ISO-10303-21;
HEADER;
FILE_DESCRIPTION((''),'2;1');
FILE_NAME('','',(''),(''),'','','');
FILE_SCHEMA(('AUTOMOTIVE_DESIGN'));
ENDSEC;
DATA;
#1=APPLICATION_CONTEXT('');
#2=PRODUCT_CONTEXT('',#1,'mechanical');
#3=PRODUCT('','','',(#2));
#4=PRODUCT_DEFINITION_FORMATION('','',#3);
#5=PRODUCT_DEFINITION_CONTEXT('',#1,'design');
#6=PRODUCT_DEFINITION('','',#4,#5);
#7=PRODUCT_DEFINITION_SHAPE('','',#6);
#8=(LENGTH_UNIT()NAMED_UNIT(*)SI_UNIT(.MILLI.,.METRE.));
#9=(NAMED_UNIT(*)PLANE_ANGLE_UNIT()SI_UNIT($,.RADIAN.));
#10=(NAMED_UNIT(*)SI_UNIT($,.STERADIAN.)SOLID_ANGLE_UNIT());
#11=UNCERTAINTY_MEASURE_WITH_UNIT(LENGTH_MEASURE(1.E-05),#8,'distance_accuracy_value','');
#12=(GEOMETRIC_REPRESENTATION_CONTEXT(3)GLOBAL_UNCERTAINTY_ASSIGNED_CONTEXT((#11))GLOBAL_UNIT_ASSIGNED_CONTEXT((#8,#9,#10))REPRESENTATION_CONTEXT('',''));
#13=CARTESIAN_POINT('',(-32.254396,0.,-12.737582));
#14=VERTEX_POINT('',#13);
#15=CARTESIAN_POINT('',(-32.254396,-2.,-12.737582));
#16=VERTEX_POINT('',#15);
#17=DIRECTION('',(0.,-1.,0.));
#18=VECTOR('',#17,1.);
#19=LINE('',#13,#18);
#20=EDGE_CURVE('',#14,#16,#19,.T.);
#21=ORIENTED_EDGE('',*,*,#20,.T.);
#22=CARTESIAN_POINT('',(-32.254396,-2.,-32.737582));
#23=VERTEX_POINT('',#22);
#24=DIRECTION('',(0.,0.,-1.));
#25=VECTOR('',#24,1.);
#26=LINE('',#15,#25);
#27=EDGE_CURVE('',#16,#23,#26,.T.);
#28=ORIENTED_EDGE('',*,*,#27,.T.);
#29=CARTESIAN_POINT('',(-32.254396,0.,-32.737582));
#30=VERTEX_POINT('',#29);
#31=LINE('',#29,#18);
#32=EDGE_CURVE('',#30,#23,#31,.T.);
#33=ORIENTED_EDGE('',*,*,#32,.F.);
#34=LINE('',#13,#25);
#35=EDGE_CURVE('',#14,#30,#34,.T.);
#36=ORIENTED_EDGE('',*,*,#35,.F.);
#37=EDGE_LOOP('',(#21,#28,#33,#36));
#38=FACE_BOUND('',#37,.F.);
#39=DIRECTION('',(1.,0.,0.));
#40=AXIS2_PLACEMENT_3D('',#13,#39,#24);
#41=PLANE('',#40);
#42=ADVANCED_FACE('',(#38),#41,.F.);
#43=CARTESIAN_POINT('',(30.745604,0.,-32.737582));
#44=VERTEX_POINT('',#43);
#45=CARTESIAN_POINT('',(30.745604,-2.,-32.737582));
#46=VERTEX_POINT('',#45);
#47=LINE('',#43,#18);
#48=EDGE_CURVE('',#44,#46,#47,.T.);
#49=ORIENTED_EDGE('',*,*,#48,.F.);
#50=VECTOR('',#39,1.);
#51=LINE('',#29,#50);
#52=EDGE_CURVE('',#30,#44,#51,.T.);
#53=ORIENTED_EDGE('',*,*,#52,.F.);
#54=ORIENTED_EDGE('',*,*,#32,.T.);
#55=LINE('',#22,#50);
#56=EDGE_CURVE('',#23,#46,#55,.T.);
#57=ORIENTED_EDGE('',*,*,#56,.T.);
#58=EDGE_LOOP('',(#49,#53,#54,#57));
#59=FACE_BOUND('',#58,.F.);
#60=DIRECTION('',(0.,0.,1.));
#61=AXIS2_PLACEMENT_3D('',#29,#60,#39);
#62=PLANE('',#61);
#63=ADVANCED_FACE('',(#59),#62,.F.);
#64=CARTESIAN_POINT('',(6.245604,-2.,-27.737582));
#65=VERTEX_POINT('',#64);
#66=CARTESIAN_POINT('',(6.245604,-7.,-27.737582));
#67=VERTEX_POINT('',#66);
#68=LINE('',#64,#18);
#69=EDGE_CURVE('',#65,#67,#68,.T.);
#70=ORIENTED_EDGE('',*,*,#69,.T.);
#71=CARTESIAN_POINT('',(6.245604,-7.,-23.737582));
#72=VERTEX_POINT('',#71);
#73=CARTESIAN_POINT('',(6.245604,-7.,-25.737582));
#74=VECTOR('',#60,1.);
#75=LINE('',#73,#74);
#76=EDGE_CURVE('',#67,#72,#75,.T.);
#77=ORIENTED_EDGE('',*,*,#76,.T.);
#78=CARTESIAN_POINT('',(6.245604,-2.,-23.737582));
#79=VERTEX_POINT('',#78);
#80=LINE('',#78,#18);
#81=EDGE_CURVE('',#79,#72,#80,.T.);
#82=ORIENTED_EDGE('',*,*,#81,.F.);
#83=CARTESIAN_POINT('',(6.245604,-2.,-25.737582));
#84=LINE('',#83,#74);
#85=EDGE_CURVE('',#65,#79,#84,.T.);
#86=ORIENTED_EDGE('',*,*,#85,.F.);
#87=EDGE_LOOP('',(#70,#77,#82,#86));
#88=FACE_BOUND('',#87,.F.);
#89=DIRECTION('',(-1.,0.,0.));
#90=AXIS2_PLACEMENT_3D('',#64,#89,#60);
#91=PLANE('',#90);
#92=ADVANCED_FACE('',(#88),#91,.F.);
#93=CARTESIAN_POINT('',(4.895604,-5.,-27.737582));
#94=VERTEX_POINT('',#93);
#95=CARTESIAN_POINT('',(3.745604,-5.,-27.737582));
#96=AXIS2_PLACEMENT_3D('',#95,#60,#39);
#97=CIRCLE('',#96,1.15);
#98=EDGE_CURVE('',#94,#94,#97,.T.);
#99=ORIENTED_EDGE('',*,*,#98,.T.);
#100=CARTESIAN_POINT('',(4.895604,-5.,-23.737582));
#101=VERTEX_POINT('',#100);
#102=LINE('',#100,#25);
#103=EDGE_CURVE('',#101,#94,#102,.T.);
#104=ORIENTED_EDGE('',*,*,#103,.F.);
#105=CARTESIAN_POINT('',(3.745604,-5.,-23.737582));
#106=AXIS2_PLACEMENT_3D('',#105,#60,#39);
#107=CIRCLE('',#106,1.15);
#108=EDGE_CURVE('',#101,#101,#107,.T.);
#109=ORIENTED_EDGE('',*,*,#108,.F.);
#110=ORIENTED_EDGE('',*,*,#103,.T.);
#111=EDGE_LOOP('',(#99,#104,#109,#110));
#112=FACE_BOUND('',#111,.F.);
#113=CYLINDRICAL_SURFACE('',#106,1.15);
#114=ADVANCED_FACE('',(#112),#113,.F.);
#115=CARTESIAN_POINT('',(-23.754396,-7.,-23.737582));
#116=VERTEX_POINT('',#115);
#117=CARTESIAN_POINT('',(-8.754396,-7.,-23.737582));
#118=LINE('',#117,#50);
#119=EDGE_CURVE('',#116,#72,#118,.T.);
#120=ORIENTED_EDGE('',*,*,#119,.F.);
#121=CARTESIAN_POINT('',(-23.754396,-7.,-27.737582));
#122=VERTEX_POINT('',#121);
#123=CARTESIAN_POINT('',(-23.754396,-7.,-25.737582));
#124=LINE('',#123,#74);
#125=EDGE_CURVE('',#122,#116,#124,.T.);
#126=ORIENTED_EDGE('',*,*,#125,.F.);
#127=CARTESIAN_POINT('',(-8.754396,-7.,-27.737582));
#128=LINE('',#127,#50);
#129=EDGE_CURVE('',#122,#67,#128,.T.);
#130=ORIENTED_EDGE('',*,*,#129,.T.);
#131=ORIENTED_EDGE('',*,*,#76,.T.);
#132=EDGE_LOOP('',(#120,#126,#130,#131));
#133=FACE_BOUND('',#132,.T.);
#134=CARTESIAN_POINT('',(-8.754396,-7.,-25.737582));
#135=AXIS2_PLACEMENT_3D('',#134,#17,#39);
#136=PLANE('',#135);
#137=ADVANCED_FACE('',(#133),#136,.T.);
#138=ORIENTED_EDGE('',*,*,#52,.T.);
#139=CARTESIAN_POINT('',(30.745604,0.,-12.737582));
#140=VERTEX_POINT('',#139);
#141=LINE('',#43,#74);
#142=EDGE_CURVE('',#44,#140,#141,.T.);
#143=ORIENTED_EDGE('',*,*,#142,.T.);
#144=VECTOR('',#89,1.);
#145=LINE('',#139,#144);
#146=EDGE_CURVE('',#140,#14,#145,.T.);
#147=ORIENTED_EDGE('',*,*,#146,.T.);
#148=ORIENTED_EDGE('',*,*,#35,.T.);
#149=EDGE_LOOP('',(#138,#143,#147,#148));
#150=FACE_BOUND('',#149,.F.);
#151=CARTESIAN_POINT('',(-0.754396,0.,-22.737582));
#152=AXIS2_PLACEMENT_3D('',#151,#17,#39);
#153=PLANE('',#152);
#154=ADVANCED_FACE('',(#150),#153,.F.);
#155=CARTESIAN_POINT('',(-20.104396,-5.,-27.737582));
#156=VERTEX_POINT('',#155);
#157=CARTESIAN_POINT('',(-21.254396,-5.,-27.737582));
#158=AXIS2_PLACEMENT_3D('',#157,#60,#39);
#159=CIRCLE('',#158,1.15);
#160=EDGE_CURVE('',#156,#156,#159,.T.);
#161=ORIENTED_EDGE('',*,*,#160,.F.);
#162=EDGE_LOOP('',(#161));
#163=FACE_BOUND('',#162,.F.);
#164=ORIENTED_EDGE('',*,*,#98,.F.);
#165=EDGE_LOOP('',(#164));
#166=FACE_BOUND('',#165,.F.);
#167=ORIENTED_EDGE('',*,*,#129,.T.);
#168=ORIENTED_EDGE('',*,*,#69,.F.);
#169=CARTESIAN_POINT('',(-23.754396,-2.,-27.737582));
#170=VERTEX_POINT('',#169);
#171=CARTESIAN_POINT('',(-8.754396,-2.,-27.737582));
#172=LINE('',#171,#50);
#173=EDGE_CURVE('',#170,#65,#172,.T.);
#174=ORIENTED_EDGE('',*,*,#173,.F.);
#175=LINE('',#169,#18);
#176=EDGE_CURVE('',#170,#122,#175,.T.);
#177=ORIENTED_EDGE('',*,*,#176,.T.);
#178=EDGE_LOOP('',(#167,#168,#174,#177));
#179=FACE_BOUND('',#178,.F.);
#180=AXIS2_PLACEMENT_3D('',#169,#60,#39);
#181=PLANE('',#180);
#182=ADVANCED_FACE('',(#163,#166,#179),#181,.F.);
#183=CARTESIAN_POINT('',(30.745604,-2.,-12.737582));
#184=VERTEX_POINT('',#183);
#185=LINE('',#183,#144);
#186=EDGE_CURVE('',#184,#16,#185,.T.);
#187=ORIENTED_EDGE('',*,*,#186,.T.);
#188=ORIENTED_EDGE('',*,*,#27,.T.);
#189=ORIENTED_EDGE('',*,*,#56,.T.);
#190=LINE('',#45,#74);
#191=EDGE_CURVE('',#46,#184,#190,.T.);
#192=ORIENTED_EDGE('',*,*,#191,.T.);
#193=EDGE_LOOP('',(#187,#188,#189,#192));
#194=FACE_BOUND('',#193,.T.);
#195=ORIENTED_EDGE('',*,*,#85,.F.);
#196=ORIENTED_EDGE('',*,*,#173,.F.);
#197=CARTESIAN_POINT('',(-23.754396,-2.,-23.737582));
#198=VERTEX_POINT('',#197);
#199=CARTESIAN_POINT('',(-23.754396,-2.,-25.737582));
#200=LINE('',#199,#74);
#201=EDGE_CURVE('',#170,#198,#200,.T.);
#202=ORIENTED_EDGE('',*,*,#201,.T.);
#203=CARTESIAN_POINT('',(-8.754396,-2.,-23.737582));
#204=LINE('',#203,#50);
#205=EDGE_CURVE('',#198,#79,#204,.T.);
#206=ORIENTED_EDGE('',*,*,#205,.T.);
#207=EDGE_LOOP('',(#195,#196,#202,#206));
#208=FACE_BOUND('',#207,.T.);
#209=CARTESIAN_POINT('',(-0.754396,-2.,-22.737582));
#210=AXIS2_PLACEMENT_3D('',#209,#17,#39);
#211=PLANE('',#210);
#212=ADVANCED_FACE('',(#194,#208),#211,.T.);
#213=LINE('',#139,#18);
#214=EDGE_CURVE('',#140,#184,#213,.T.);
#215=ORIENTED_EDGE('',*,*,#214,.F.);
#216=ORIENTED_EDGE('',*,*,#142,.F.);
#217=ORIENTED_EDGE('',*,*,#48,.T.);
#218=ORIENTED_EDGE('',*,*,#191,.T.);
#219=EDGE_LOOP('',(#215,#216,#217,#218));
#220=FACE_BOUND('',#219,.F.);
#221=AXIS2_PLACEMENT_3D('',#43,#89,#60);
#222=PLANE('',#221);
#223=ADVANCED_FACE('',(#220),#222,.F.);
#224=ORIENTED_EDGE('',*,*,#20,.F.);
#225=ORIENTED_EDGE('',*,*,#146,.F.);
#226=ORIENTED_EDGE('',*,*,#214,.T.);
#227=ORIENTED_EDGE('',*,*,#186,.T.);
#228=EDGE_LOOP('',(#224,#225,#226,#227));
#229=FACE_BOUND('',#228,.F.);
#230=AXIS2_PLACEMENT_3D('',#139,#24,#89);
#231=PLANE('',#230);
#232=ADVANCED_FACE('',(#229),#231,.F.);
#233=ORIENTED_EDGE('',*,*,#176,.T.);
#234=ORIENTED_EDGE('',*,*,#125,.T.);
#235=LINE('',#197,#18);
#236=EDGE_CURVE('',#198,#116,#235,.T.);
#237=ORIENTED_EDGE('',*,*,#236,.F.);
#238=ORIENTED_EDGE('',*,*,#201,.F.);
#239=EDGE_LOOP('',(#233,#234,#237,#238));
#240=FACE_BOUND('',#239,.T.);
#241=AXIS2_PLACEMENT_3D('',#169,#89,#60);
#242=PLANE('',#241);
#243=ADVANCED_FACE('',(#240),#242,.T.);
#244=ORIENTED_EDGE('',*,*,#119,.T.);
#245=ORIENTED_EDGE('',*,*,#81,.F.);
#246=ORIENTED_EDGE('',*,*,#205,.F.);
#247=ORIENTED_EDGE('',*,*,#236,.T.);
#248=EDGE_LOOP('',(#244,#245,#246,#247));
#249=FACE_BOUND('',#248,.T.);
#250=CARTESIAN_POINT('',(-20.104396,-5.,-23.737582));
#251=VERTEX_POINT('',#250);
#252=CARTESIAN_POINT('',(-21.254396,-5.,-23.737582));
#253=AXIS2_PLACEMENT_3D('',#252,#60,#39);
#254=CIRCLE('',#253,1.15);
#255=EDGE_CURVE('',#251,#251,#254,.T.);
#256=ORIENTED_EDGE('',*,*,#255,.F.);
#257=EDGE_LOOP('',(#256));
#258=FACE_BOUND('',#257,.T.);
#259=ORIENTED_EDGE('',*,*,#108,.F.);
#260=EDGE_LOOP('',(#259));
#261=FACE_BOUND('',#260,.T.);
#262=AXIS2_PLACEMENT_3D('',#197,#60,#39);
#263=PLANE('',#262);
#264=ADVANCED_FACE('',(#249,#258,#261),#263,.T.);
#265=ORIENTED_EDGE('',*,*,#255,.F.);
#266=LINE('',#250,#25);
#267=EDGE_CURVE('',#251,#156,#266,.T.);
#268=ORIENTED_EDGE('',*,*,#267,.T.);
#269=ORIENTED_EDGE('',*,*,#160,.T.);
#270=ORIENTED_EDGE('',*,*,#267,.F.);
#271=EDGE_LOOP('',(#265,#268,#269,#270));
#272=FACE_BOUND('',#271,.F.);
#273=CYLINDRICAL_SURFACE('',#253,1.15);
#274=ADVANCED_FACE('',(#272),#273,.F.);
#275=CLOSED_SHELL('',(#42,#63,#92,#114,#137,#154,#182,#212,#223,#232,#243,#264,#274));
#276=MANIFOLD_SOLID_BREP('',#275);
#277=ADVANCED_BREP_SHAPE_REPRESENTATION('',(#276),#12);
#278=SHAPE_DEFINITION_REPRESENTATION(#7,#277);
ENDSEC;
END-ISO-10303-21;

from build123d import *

# Parameters (mm, degrees)
F1_DEPTH = 2
F2_W     = 30
F2_H     = 4
F3_DEPTH = 5
F4_R     = 1.15
F5_DEPTH = 25


with BuildPart() as f1:
    # F0 (on Front) → F1 (new body)
    with BuildSketch(Plane.XZ):
        Polygon((-32.254396, -12.737582), (-32.254396, -22.737582), (-32.254396, -32.737582), (30.745604, -32.737582), (30.745604, -12.737582), align=None)
    extrude(amount=F1_DEPTH)

    # F2 (on face) → F3 (join)
    with BuildSketch(Plane.XZ.offset(2)):
        with Locations((-8.754396, -25.737582)):
            Rectangle(F2_W, F2_H)
    extrude(amount=F3_DEPTH)

    # F4 (on face) → F5 (cut)
    with BuildSketch(Plane.XY.offset(-23.737582)):
        with Locations((-21.254396, -5)):
            Circle(F4_R)
        with Locations((3.745604, -5)):
            Circle(F4_R)
    extrude(amount=-F5_DEPTH, mode=Mode.SUBTRACT)


solid = f1.part
